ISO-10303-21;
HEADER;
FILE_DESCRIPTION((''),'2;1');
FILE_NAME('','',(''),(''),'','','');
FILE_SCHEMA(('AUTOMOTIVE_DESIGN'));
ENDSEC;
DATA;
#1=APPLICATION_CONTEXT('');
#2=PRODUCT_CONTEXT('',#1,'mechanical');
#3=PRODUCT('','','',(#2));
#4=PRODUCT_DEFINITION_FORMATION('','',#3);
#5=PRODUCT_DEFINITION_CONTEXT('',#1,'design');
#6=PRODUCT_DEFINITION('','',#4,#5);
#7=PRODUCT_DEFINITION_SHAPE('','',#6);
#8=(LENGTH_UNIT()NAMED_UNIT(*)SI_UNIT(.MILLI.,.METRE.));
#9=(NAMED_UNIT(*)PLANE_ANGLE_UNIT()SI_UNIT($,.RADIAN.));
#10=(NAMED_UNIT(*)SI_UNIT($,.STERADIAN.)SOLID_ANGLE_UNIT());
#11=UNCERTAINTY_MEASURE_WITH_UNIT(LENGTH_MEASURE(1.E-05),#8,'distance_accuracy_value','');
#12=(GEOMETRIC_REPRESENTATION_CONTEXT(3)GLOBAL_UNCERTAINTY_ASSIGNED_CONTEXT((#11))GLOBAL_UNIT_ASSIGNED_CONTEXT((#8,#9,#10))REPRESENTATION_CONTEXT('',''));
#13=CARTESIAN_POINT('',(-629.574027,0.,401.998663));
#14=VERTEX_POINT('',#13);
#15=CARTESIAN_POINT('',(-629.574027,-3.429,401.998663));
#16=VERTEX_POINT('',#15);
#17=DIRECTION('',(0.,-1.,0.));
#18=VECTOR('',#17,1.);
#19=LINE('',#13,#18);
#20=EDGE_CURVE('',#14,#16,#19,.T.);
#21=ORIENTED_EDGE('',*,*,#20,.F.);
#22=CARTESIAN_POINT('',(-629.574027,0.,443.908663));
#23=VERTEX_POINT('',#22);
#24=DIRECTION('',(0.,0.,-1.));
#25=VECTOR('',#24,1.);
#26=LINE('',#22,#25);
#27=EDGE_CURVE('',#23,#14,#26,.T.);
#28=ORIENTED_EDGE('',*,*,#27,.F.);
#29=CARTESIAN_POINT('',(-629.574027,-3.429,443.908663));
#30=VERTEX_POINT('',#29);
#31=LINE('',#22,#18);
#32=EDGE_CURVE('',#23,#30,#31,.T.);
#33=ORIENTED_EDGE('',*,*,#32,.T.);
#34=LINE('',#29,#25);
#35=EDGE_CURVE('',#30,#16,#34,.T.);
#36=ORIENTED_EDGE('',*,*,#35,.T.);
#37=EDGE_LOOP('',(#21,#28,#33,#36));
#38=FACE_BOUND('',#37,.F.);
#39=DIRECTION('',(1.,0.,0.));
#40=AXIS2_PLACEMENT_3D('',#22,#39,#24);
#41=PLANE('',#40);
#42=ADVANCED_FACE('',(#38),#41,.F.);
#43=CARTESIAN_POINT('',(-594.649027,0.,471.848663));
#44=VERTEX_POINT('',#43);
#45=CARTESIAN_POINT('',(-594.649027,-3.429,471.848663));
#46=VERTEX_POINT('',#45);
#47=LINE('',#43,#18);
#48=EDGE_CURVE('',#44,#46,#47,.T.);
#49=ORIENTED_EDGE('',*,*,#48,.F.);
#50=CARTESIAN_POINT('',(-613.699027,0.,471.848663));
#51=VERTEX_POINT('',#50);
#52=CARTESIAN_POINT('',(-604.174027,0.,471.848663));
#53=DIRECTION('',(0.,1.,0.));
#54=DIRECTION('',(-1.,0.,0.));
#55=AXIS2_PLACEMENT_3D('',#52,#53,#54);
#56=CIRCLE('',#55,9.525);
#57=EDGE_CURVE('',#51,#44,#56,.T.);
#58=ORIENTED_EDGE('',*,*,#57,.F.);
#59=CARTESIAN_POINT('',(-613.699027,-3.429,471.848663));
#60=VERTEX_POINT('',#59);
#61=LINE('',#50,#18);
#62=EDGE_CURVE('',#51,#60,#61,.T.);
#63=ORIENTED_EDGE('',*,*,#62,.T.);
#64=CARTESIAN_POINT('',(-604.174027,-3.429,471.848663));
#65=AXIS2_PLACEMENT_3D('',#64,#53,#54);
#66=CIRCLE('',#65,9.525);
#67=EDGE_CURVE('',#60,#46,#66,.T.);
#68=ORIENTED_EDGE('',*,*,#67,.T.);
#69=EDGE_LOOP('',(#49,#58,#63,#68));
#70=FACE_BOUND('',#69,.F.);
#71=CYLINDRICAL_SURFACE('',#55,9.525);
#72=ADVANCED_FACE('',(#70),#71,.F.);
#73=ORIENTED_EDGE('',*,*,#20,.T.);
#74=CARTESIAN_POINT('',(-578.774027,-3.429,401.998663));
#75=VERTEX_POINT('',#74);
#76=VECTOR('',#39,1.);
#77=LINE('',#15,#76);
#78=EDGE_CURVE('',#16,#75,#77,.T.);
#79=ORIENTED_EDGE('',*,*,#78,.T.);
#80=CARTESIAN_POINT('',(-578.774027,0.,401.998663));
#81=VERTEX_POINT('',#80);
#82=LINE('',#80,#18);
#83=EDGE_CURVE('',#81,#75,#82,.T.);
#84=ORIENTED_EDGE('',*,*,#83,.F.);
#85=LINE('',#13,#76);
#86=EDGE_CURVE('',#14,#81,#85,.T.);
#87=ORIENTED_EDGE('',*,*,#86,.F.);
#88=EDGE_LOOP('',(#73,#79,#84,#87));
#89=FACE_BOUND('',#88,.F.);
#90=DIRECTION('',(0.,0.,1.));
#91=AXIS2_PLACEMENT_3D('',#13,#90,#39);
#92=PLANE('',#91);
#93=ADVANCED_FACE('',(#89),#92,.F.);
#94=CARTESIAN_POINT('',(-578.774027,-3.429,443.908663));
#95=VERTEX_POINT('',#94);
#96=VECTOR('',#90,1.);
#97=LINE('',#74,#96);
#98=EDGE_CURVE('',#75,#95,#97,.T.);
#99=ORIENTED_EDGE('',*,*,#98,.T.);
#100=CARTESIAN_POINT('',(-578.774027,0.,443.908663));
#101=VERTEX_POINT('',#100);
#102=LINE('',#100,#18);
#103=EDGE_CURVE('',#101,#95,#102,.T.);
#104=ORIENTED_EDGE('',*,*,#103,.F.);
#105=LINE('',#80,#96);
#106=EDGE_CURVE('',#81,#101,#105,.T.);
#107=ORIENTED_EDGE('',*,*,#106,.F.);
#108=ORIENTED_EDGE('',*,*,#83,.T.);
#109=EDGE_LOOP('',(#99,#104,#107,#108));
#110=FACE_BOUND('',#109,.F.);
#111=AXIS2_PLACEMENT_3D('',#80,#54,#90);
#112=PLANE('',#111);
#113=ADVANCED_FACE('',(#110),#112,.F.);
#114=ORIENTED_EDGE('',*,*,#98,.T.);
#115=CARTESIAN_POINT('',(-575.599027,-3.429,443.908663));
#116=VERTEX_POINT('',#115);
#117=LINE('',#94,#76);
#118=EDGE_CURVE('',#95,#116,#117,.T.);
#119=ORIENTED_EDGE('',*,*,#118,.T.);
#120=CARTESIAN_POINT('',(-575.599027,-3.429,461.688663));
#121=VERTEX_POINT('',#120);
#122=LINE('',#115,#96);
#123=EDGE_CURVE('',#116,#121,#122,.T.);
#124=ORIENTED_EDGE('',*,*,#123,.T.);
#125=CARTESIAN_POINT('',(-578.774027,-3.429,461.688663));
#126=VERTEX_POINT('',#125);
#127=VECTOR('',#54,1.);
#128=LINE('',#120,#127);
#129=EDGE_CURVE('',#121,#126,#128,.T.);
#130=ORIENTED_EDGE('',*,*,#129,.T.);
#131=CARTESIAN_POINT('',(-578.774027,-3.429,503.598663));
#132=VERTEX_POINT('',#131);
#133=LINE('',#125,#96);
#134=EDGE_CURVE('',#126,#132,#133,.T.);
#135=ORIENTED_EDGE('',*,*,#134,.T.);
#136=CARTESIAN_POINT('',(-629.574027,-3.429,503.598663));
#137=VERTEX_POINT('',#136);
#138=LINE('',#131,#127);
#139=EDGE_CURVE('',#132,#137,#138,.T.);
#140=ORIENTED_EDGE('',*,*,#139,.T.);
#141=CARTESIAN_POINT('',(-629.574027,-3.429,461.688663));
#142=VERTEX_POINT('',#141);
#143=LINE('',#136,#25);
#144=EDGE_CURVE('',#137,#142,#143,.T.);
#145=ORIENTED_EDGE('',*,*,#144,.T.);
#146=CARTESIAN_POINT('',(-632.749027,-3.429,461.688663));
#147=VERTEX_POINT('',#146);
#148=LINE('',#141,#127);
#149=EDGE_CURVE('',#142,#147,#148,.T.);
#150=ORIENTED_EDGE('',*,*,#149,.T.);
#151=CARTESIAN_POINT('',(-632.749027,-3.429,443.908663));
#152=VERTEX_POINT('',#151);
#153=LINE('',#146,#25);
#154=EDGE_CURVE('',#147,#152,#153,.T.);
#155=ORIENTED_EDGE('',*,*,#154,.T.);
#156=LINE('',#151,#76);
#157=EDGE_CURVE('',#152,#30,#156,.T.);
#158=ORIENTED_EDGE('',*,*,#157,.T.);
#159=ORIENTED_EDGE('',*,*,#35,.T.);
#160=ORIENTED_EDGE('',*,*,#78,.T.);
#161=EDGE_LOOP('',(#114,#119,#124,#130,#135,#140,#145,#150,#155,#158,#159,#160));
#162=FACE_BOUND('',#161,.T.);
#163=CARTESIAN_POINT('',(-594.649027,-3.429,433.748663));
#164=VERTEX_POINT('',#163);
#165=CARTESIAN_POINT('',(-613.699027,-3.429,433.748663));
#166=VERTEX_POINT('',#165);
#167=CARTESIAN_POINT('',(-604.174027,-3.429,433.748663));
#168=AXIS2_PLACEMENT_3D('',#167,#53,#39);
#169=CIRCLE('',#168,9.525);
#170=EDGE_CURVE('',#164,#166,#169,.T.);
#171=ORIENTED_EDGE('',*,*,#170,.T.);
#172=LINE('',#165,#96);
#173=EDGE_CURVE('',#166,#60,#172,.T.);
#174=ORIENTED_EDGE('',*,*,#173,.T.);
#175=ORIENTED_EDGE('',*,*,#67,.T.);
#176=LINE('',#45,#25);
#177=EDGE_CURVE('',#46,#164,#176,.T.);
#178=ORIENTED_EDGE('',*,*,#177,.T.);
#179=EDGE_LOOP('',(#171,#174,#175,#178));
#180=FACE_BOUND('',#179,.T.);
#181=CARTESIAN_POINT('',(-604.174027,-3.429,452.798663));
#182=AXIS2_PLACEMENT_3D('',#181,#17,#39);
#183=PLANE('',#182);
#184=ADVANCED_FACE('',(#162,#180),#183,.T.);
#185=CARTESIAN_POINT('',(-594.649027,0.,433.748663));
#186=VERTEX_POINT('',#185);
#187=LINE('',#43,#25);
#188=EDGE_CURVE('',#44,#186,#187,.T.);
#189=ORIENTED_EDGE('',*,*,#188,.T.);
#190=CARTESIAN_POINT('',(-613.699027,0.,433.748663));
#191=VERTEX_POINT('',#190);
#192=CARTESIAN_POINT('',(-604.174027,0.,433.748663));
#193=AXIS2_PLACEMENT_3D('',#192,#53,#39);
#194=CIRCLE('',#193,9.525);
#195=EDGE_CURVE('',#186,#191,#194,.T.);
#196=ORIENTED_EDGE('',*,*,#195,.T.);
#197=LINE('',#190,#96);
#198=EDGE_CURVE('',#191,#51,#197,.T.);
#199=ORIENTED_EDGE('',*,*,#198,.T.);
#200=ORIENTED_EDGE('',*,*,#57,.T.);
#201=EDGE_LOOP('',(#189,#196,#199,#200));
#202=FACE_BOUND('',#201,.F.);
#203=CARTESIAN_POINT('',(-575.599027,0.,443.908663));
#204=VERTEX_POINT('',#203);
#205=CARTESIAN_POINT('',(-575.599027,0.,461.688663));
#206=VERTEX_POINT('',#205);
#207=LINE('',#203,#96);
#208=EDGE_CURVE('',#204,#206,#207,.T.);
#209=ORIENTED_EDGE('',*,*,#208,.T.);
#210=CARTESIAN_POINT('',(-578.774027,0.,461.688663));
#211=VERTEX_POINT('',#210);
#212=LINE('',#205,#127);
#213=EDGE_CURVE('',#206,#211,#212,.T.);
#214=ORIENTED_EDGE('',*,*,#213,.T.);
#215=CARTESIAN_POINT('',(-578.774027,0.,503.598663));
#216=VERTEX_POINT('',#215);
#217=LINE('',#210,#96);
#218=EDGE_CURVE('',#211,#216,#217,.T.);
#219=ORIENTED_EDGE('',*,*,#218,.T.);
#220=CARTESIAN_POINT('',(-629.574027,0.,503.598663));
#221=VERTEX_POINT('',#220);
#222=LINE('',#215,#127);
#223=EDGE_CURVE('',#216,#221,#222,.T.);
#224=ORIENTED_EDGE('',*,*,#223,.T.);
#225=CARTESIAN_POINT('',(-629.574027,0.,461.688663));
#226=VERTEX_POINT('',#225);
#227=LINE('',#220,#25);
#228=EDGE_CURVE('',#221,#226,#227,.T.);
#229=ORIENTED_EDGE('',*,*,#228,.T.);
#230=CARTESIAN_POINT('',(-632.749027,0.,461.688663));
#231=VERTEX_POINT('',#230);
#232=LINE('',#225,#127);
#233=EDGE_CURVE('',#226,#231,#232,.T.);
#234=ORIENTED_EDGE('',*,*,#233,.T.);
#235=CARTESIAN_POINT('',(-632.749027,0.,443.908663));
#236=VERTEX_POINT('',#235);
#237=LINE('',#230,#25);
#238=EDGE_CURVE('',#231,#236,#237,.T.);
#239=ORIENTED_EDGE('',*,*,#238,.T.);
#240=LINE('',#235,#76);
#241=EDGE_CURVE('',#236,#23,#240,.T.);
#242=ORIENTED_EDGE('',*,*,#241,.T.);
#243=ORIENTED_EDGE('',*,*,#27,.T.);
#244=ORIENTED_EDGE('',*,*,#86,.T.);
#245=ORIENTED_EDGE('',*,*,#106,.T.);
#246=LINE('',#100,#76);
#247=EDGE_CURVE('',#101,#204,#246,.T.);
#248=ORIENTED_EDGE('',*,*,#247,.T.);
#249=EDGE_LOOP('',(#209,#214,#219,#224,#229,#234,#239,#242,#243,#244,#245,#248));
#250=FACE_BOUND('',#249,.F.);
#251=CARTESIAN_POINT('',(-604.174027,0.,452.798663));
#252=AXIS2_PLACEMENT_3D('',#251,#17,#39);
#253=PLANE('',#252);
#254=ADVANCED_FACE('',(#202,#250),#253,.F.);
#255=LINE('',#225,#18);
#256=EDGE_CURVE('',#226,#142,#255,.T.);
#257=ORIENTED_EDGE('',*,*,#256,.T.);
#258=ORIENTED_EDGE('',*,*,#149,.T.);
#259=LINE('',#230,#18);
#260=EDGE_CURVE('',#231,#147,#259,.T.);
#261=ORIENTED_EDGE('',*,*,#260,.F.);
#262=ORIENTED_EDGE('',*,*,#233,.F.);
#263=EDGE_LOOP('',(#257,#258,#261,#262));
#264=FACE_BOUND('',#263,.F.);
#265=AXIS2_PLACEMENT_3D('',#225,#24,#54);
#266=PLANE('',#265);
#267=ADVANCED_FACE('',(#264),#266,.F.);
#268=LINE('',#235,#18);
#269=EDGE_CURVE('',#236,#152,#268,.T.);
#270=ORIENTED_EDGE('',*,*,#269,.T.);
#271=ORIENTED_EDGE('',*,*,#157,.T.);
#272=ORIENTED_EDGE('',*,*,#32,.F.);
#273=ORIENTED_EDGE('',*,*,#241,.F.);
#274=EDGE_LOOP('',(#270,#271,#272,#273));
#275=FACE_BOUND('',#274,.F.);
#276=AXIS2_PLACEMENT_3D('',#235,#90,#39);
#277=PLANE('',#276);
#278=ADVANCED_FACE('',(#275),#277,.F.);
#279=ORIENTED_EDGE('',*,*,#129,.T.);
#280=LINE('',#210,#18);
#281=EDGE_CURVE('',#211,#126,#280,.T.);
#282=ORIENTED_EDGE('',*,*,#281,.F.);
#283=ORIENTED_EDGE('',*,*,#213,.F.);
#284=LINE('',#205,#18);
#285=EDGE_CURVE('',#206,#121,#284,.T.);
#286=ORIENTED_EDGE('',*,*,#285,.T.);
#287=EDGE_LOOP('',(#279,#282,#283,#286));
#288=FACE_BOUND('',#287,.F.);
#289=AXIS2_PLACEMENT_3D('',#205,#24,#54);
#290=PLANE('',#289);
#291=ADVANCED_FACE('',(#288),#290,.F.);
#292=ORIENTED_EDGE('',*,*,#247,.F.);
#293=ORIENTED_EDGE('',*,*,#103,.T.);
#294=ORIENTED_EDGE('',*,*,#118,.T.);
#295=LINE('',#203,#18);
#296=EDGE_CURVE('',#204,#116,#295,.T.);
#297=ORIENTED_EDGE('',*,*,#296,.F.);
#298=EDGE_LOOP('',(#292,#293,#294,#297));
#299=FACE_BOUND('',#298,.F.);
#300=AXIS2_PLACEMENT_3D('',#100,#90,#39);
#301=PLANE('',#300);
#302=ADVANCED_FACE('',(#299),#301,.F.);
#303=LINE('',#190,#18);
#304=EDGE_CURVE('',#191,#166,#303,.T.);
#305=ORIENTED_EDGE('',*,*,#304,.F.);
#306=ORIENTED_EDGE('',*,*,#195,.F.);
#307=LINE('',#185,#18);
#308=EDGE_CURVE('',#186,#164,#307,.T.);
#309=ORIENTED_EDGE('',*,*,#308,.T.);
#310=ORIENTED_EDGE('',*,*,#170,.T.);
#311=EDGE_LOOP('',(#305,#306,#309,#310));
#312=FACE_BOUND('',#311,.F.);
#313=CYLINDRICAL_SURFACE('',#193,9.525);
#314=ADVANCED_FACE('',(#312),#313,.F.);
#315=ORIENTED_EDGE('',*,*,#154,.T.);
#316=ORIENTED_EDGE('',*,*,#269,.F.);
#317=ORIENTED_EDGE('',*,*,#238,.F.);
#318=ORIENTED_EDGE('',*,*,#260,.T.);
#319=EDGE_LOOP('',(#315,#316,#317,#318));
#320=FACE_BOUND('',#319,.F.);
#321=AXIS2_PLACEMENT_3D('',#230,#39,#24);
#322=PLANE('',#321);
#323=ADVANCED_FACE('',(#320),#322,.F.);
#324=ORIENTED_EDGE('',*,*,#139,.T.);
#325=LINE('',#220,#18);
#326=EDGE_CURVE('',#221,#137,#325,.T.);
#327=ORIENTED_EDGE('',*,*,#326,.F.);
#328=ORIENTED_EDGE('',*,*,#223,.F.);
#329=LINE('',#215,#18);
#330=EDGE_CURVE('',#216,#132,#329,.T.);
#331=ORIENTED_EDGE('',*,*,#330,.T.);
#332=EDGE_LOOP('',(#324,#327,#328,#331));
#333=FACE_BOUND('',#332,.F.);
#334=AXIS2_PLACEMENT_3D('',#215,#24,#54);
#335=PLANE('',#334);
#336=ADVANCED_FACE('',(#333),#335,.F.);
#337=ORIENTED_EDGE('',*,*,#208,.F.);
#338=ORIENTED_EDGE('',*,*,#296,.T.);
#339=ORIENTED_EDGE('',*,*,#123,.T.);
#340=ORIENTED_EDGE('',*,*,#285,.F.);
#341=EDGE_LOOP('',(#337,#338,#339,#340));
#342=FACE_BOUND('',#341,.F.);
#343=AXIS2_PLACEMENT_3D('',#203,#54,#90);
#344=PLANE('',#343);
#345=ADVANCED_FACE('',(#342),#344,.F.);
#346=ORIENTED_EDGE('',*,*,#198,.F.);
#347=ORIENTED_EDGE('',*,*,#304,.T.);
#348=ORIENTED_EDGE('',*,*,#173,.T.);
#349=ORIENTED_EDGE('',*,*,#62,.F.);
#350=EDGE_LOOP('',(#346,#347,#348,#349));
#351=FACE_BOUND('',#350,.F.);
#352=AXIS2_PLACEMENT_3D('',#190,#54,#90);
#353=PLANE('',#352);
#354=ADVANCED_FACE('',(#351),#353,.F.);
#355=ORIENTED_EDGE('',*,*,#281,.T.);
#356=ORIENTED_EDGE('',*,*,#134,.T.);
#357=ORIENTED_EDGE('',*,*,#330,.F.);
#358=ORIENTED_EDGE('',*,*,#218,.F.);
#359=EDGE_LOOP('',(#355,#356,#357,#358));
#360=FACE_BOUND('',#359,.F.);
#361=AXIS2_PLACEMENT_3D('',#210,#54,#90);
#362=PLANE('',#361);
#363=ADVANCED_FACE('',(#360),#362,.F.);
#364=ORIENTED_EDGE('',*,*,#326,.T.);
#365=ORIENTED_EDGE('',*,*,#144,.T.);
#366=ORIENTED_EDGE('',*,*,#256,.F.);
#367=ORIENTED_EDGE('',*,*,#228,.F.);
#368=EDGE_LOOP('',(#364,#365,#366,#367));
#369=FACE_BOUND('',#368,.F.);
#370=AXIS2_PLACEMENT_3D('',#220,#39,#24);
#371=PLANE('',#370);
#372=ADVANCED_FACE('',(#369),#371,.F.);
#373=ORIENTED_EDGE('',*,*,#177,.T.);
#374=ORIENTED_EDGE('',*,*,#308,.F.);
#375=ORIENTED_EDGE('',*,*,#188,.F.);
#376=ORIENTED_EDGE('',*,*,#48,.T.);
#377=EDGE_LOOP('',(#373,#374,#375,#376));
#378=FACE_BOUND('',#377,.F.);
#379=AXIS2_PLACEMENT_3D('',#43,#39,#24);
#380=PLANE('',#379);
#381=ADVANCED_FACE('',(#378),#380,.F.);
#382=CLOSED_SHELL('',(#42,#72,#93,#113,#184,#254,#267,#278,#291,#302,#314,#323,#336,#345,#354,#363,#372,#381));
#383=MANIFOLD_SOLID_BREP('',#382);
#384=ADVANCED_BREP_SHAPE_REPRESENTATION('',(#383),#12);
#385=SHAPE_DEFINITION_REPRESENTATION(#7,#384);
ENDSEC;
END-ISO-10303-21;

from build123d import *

# Parameters (mm, degrees)
F1_DEPTH = 3.429


with BuildPart() as f1:
    # F0 (on Front) → F1 (new body)
    with BuildSketch(Plane.XZ):
        Polygon((-575.599027, 443.908663), (-575.599027, 461.688663), (-578.774027, 461.688663), (-578.774027, 503.598663), (-629.574027, 503.598663), (-629.574027, 461.688663), (-632.749027, 461.688663), (-632.749027, 443.908663), (-629.574027, 443.908663), (-629.574027, 401.998663), (-578.774027, 401.998663), (-578.774027, 443.908663), align=None)
        with BuildLine():
            Line((-594.649027, 471.848663), (-594.649027, 433.748663))
            ThreePointArc((-594.649027, 433.748663), (-604.174027, 424.223663), (-613.699027, 433.748663))
            Line((-613.699027, 433.748663), (-613.699027, 471.848663))
            ThreePointArc((-613.699027, 471.848663), (-604.174027, 481.373663), (-594.649027, 471.848663))
        make_face(mode=Mode.SUBTRACT)
    extrude(amount=F1_DEPTH)


solid = f1.part
